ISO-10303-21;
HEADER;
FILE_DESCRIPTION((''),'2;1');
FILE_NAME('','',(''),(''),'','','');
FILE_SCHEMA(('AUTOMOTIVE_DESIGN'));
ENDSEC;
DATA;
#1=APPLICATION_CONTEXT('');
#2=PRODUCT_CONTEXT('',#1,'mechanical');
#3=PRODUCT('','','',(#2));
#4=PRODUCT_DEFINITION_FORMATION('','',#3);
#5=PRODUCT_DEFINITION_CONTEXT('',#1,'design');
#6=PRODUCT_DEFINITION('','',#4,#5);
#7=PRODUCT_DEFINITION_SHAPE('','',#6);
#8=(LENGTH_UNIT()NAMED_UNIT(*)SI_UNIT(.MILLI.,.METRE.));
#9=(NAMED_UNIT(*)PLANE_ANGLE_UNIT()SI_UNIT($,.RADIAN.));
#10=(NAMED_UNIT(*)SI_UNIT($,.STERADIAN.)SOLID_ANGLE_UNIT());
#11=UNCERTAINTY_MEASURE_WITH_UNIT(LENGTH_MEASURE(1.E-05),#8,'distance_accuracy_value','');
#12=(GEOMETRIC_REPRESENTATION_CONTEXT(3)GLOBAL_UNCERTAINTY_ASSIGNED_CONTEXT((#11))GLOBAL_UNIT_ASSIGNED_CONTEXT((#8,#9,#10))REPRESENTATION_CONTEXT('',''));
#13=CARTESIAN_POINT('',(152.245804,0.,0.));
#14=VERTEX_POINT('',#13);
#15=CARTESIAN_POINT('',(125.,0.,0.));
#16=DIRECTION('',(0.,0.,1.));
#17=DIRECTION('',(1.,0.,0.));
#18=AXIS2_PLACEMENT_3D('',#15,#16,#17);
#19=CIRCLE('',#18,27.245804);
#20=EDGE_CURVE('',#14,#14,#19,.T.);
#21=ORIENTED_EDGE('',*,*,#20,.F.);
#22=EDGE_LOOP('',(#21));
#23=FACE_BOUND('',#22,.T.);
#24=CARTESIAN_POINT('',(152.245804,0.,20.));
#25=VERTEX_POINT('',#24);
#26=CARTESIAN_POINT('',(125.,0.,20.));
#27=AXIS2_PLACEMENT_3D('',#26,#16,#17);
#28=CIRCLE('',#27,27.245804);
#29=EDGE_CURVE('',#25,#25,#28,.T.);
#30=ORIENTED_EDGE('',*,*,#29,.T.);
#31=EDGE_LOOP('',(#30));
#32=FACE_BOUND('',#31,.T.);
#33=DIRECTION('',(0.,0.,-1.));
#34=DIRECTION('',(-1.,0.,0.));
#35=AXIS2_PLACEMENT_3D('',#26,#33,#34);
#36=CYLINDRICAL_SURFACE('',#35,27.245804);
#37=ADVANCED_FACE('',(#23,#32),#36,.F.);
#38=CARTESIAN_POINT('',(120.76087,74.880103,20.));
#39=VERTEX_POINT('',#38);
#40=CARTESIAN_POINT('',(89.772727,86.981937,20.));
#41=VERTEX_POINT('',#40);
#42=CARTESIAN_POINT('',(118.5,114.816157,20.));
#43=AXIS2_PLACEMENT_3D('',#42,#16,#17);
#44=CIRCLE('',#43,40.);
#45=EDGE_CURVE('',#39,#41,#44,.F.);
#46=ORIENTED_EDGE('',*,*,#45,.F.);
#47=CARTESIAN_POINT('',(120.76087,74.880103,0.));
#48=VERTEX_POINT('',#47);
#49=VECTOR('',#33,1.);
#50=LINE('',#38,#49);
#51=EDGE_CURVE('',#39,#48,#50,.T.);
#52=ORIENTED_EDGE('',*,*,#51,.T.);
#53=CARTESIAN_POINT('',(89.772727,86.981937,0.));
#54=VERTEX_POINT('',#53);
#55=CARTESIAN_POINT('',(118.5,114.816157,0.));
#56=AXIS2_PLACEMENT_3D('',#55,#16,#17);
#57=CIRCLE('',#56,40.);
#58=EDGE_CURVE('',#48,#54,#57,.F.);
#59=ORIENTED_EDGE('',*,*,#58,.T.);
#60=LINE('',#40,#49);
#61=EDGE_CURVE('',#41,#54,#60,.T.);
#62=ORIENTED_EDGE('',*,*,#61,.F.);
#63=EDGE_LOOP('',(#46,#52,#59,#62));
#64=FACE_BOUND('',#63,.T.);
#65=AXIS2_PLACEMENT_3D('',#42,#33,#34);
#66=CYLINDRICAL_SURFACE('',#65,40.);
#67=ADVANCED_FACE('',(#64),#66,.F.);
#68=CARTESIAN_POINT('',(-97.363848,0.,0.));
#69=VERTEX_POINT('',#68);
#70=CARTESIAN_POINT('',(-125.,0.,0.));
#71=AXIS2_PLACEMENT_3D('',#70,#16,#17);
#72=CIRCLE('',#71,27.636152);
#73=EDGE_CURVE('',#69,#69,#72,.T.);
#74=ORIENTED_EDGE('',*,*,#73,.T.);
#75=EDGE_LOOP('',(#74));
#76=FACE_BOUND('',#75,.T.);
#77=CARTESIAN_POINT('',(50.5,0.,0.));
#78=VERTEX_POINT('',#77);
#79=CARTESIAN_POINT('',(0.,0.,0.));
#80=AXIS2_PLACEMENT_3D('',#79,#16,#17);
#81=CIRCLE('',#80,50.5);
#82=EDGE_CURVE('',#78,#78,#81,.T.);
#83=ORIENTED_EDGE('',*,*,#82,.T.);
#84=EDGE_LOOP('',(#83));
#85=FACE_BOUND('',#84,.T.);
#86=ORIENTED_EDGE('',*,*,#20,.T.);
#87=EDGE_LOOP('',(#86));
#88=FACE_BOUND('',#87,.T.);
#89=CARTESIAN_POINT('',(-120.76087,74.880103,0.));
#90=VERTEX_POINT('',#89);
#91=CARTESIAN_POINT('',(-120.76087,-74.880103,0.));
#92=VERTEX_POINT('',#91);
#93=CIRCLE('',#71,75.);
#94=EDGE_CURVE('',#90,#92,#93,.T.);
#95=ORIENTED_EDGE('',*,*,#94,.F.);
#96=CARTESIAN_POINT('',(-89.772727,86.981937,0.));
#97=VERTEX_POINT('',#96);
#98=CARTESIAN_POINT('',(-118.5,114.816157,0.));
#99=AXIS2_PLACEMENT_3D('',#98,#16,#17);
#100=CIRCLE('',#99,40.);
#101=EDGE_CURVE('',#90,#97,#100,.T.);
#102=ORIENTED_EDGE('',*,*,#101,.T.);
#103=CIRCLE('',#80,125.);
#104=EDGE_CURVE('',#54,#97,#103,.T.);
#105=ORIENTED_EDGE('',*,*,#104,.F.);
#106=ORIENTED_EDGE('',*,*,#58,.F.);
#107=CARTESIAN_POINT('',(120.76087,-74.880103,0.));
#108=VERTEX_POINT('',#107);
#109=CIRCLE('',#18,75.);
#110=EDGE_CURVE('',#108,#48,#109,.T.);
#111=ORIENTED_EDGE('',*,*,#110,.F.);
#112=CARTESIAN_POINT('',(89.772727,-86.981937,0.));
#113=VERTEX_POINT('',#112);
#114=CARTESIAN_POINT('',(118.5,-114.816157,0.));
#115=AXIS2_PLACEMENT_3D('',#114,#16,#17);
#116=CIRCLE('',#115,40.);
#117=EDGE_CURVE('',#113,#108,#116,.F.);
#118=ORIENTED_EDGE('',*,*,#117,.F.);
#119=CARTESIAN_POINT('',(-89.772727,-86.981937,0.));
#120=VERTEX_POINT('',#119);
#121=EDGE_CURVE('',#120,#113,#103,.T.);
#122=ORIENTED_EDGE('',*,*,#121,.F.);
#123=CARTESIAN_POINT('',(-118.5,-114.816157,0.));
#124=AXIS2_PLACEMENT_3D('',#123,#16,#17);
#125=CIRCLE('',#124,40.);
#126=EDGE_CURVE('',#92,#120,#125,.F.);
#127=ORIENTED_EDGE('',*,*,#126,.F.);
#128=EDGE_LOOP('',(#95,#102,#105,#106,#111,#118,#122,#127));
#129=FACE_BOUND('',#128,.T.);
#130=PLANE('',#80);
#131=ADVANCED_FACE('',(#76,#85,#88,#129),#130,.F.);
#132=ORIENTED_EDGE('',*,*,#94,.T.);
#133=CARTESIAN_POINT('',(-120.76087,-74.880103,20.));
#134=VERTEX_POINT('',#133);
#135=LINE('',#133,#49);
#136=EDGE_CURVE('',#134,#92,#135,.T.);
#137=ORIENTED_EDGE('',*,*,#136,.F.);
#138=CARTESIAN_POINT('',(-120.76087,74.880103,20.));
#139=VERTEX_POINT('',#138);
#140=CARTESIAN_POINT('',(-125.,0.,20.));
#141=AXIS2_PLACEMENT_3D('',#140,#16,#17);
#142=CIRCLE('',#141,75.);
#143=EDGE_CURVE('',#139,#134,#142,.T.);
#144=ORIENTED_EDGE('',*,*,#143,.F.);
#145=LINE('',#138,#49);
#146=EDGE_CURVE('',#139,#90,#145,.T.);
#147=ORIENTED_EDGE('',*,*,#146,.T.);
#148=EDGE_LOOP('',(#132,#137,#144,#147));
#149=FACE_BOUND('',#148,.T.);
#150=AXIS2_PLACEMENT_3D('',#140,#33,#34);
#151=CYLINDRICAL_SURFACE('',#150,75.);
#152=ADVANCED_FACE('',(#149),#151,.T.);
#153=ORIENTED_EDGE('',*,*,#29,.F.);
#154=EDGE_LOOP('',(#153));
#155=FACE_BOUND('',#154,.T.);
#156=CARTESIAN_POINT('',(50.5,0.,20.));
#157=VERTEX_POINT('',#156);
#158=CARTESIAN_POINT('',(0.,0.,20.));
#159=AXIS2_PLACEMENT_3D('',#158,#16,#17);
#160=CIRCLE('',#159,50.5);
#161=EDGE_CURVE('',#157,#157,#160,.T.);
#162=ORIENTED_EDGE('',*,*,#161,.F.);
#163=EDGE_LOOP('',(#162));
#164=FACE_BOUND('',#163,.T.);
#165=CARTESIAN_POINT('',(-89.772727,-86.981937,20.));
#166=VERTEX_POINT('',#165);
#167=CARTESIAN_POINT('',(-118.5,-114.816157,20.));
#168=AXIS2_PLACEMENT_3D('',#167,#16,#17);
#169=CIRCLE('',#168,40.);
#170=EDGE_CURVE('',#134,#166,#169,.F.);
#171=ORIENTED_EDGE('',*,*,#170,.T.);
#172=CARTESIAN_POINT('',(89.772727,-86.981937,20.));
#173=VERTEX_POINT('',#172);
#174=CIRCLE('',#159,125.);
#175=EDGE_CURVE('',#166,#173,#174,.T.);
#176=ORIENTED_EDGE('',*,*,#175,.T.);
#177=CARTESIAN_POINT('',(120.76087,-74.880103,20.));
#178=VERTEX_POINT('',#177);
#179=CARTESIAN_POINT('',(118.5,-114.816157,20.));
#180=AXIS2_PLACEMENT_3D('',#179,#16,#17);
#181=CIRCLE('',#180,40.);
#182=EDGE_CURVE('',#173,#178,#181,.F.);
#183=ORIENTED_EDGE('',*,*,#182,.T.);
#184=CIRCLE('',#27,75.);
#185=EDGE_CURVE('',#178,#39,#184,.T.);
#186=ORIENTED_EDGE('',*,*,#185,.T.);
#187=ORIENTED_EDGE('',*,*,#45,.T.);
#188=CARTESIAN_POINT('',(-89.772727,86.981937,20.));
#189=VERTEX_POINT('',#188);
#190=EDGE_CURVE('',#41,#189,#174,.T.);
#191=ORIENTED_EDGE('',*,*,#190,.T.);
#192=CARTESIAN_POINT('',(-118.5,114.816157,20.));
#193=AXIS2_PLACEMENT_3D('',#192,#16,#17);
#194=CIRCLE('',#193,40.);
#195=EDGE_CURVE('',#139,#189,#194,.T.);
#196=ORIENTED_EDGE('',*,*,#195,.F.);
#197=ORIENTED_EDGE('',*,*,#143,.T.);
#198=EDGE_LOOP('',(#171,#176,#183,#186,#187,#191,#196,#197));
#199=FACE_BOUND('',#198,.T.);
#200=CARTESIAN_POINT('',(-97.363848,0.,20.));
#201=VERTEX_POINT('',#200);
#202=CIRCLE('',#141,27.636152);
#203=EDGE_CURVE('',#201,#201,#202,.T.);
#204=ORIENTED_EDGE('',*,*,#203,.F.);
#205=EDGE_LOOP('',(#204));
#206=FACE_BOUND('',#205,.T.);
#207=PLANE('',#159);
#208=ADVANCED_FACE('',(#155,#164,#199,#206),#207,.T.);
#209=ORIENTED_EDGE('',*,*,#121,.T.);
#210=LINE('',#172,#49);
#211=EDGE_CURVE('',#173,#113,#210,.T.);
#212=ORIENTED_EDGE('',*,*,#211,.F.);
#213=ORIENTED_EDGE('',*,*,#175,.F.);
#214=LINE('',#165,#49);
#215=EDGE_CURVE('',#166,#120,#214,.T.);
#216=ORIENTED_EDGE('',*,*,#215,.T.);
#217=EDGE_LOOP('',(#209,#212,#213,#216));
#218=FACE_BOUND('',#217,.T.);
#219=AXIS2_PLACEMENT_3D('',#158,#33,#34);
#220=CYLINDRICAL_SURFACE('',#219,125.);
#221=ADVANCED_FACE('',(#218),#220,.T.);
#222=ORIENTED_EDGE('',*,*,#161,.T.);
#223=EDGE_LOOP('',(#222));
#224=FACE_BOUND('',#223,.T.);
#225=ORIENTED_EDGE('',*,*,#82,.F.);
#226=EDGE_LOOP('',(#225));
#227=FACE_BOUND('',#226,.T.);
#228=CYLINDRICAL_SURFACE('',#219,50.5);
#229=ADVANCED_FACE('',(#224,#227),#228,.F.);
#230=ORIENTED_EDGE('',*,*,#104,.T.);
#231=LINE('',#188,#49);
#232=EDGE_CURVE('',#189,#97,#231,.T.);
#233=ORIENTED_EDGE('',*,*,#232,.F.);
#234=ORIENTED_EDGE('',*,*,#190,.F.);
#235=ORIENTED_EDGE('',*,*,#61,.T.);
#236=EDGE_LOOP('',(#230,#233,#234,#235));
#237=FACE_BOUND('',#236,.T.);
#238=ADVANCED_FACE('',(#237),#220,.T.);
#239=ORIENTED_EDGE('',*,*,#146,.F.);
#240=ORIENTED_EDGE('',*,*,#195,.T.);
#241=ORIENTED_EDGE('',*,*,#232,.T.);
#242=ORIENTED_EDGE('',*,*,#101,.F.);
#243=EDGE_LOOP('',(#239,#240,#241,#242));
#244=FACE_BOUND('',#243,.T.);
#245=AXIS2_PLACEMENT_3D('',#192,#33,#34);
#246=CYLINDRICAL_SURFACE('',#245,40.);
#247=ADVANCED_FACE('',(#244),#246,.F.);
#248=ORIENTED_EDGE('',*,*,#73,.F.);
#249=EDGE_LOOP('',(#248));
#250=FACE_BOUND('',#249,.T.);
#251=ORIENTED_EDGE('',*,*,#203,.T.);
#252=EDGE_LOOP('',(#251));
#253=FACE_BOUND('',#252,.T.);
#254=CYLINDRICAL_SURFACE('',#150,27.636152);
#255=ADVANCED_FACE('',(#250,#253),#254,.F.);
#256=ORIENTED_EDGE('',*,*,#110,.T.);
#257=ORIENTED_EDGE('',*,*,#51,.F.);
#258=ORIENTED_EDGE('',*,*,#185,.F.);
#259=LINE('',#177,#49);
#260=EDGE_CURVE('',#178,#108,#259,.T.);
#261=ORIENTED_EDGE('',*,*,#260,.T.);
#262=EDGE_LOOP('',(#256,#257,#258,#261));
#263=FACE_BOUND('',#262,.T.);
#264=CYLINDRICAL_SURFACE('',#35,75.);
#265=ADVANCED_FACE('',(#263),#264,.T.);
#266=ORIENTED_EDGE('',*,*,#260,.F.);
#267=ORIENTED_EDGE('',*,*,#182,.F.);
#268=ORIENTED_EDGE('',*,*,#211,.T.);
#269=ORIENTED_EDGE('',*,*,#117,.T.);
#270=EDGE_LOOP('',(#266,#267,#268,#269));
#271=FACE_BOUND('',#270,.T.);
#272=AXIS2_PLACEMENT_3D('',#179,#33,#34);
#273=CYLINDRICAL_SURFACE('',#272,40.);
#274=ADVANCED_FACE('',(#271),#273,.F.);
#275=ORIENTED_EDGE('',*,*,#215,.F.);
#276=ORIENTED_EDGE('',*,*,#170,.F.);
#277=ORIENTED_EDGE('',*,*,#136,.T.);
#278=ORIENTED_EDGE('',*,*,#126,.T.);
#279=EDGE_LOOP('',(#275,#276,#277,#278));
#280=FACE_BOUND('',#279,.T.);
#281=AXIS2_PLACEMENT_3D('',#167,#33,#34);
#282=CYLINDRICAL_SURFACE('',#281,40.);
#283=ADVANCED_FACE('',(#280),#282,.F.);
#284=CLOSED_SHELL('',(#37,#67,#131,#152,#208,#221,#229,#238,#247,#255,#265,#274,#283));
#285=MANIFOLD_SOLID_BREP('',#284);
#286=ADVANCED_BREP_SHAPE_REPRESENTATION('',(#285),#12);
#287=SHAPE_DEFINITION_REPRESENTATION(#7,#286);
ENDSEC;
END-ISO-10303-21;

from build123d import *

# Parameters (mm, degrees)
SZKIC1_R                    = 27.245803964
SZKIC1_R_2                  = 27.636152319
SZKIC1_R_3                  = 50.5
DODANIE_WYCI_GNI_CIE1_DEPTH = 20


with BuildPart() as part:
    # Szkic1 → Dodanie-wyciągnięcie1 (new body)
    with BuildSketch(Plane.XY):
        with BuildLine():
            ThreePointArc((-120.760869565, 74.880102652), (-103.94901291, 77.556678408), (-89.772727273, 86.981937424))
            ThreePointArc((-89.772727273, 86.981937424), (0, 125), (89.772727273, 86.981937424))
            ThreePointArc((89.772727273, 86.981937424), (103.94901291, 77.556678408), (120.760869565, 74.880102652))
            ThreePointArc((120.760869565, 74.880102652), (200, 0), (120.760869565, -74.880102652))
            ThreePointArc((120.760869565, -74.880102652), (103.94901291, -77.556678408), (89.772727273, -86.981937424))
            ThreePointArc((89.772727273, -86.981937424), (0, -125), (-89.772727273, -86.981937424))
            ThreePointArc((-89.772727273, -86.981937424), (-103.94901291, -77.556678408), (-120.760869565, -74.880102652))
            ThreePointArc((-120.760869565, -74.880102652), (-200, 0), (-120.760869565, 74.880102652))
        make_face()
        with Locations((125, 0)):
            Circle(SZKIC1_R, mode=Mode.SUBTRACT)
        with Locations((-125, 0)):
            Circle(SZKIC1_R_2, mode=Mode.SUBTRACT)
        Circle(SZKIC1_R_3, mode=Mode.SUBTRACT)
    extrude(amount=DODANIE_WYCI_GNI_CIE1_DEPTH)


solid = part.part
